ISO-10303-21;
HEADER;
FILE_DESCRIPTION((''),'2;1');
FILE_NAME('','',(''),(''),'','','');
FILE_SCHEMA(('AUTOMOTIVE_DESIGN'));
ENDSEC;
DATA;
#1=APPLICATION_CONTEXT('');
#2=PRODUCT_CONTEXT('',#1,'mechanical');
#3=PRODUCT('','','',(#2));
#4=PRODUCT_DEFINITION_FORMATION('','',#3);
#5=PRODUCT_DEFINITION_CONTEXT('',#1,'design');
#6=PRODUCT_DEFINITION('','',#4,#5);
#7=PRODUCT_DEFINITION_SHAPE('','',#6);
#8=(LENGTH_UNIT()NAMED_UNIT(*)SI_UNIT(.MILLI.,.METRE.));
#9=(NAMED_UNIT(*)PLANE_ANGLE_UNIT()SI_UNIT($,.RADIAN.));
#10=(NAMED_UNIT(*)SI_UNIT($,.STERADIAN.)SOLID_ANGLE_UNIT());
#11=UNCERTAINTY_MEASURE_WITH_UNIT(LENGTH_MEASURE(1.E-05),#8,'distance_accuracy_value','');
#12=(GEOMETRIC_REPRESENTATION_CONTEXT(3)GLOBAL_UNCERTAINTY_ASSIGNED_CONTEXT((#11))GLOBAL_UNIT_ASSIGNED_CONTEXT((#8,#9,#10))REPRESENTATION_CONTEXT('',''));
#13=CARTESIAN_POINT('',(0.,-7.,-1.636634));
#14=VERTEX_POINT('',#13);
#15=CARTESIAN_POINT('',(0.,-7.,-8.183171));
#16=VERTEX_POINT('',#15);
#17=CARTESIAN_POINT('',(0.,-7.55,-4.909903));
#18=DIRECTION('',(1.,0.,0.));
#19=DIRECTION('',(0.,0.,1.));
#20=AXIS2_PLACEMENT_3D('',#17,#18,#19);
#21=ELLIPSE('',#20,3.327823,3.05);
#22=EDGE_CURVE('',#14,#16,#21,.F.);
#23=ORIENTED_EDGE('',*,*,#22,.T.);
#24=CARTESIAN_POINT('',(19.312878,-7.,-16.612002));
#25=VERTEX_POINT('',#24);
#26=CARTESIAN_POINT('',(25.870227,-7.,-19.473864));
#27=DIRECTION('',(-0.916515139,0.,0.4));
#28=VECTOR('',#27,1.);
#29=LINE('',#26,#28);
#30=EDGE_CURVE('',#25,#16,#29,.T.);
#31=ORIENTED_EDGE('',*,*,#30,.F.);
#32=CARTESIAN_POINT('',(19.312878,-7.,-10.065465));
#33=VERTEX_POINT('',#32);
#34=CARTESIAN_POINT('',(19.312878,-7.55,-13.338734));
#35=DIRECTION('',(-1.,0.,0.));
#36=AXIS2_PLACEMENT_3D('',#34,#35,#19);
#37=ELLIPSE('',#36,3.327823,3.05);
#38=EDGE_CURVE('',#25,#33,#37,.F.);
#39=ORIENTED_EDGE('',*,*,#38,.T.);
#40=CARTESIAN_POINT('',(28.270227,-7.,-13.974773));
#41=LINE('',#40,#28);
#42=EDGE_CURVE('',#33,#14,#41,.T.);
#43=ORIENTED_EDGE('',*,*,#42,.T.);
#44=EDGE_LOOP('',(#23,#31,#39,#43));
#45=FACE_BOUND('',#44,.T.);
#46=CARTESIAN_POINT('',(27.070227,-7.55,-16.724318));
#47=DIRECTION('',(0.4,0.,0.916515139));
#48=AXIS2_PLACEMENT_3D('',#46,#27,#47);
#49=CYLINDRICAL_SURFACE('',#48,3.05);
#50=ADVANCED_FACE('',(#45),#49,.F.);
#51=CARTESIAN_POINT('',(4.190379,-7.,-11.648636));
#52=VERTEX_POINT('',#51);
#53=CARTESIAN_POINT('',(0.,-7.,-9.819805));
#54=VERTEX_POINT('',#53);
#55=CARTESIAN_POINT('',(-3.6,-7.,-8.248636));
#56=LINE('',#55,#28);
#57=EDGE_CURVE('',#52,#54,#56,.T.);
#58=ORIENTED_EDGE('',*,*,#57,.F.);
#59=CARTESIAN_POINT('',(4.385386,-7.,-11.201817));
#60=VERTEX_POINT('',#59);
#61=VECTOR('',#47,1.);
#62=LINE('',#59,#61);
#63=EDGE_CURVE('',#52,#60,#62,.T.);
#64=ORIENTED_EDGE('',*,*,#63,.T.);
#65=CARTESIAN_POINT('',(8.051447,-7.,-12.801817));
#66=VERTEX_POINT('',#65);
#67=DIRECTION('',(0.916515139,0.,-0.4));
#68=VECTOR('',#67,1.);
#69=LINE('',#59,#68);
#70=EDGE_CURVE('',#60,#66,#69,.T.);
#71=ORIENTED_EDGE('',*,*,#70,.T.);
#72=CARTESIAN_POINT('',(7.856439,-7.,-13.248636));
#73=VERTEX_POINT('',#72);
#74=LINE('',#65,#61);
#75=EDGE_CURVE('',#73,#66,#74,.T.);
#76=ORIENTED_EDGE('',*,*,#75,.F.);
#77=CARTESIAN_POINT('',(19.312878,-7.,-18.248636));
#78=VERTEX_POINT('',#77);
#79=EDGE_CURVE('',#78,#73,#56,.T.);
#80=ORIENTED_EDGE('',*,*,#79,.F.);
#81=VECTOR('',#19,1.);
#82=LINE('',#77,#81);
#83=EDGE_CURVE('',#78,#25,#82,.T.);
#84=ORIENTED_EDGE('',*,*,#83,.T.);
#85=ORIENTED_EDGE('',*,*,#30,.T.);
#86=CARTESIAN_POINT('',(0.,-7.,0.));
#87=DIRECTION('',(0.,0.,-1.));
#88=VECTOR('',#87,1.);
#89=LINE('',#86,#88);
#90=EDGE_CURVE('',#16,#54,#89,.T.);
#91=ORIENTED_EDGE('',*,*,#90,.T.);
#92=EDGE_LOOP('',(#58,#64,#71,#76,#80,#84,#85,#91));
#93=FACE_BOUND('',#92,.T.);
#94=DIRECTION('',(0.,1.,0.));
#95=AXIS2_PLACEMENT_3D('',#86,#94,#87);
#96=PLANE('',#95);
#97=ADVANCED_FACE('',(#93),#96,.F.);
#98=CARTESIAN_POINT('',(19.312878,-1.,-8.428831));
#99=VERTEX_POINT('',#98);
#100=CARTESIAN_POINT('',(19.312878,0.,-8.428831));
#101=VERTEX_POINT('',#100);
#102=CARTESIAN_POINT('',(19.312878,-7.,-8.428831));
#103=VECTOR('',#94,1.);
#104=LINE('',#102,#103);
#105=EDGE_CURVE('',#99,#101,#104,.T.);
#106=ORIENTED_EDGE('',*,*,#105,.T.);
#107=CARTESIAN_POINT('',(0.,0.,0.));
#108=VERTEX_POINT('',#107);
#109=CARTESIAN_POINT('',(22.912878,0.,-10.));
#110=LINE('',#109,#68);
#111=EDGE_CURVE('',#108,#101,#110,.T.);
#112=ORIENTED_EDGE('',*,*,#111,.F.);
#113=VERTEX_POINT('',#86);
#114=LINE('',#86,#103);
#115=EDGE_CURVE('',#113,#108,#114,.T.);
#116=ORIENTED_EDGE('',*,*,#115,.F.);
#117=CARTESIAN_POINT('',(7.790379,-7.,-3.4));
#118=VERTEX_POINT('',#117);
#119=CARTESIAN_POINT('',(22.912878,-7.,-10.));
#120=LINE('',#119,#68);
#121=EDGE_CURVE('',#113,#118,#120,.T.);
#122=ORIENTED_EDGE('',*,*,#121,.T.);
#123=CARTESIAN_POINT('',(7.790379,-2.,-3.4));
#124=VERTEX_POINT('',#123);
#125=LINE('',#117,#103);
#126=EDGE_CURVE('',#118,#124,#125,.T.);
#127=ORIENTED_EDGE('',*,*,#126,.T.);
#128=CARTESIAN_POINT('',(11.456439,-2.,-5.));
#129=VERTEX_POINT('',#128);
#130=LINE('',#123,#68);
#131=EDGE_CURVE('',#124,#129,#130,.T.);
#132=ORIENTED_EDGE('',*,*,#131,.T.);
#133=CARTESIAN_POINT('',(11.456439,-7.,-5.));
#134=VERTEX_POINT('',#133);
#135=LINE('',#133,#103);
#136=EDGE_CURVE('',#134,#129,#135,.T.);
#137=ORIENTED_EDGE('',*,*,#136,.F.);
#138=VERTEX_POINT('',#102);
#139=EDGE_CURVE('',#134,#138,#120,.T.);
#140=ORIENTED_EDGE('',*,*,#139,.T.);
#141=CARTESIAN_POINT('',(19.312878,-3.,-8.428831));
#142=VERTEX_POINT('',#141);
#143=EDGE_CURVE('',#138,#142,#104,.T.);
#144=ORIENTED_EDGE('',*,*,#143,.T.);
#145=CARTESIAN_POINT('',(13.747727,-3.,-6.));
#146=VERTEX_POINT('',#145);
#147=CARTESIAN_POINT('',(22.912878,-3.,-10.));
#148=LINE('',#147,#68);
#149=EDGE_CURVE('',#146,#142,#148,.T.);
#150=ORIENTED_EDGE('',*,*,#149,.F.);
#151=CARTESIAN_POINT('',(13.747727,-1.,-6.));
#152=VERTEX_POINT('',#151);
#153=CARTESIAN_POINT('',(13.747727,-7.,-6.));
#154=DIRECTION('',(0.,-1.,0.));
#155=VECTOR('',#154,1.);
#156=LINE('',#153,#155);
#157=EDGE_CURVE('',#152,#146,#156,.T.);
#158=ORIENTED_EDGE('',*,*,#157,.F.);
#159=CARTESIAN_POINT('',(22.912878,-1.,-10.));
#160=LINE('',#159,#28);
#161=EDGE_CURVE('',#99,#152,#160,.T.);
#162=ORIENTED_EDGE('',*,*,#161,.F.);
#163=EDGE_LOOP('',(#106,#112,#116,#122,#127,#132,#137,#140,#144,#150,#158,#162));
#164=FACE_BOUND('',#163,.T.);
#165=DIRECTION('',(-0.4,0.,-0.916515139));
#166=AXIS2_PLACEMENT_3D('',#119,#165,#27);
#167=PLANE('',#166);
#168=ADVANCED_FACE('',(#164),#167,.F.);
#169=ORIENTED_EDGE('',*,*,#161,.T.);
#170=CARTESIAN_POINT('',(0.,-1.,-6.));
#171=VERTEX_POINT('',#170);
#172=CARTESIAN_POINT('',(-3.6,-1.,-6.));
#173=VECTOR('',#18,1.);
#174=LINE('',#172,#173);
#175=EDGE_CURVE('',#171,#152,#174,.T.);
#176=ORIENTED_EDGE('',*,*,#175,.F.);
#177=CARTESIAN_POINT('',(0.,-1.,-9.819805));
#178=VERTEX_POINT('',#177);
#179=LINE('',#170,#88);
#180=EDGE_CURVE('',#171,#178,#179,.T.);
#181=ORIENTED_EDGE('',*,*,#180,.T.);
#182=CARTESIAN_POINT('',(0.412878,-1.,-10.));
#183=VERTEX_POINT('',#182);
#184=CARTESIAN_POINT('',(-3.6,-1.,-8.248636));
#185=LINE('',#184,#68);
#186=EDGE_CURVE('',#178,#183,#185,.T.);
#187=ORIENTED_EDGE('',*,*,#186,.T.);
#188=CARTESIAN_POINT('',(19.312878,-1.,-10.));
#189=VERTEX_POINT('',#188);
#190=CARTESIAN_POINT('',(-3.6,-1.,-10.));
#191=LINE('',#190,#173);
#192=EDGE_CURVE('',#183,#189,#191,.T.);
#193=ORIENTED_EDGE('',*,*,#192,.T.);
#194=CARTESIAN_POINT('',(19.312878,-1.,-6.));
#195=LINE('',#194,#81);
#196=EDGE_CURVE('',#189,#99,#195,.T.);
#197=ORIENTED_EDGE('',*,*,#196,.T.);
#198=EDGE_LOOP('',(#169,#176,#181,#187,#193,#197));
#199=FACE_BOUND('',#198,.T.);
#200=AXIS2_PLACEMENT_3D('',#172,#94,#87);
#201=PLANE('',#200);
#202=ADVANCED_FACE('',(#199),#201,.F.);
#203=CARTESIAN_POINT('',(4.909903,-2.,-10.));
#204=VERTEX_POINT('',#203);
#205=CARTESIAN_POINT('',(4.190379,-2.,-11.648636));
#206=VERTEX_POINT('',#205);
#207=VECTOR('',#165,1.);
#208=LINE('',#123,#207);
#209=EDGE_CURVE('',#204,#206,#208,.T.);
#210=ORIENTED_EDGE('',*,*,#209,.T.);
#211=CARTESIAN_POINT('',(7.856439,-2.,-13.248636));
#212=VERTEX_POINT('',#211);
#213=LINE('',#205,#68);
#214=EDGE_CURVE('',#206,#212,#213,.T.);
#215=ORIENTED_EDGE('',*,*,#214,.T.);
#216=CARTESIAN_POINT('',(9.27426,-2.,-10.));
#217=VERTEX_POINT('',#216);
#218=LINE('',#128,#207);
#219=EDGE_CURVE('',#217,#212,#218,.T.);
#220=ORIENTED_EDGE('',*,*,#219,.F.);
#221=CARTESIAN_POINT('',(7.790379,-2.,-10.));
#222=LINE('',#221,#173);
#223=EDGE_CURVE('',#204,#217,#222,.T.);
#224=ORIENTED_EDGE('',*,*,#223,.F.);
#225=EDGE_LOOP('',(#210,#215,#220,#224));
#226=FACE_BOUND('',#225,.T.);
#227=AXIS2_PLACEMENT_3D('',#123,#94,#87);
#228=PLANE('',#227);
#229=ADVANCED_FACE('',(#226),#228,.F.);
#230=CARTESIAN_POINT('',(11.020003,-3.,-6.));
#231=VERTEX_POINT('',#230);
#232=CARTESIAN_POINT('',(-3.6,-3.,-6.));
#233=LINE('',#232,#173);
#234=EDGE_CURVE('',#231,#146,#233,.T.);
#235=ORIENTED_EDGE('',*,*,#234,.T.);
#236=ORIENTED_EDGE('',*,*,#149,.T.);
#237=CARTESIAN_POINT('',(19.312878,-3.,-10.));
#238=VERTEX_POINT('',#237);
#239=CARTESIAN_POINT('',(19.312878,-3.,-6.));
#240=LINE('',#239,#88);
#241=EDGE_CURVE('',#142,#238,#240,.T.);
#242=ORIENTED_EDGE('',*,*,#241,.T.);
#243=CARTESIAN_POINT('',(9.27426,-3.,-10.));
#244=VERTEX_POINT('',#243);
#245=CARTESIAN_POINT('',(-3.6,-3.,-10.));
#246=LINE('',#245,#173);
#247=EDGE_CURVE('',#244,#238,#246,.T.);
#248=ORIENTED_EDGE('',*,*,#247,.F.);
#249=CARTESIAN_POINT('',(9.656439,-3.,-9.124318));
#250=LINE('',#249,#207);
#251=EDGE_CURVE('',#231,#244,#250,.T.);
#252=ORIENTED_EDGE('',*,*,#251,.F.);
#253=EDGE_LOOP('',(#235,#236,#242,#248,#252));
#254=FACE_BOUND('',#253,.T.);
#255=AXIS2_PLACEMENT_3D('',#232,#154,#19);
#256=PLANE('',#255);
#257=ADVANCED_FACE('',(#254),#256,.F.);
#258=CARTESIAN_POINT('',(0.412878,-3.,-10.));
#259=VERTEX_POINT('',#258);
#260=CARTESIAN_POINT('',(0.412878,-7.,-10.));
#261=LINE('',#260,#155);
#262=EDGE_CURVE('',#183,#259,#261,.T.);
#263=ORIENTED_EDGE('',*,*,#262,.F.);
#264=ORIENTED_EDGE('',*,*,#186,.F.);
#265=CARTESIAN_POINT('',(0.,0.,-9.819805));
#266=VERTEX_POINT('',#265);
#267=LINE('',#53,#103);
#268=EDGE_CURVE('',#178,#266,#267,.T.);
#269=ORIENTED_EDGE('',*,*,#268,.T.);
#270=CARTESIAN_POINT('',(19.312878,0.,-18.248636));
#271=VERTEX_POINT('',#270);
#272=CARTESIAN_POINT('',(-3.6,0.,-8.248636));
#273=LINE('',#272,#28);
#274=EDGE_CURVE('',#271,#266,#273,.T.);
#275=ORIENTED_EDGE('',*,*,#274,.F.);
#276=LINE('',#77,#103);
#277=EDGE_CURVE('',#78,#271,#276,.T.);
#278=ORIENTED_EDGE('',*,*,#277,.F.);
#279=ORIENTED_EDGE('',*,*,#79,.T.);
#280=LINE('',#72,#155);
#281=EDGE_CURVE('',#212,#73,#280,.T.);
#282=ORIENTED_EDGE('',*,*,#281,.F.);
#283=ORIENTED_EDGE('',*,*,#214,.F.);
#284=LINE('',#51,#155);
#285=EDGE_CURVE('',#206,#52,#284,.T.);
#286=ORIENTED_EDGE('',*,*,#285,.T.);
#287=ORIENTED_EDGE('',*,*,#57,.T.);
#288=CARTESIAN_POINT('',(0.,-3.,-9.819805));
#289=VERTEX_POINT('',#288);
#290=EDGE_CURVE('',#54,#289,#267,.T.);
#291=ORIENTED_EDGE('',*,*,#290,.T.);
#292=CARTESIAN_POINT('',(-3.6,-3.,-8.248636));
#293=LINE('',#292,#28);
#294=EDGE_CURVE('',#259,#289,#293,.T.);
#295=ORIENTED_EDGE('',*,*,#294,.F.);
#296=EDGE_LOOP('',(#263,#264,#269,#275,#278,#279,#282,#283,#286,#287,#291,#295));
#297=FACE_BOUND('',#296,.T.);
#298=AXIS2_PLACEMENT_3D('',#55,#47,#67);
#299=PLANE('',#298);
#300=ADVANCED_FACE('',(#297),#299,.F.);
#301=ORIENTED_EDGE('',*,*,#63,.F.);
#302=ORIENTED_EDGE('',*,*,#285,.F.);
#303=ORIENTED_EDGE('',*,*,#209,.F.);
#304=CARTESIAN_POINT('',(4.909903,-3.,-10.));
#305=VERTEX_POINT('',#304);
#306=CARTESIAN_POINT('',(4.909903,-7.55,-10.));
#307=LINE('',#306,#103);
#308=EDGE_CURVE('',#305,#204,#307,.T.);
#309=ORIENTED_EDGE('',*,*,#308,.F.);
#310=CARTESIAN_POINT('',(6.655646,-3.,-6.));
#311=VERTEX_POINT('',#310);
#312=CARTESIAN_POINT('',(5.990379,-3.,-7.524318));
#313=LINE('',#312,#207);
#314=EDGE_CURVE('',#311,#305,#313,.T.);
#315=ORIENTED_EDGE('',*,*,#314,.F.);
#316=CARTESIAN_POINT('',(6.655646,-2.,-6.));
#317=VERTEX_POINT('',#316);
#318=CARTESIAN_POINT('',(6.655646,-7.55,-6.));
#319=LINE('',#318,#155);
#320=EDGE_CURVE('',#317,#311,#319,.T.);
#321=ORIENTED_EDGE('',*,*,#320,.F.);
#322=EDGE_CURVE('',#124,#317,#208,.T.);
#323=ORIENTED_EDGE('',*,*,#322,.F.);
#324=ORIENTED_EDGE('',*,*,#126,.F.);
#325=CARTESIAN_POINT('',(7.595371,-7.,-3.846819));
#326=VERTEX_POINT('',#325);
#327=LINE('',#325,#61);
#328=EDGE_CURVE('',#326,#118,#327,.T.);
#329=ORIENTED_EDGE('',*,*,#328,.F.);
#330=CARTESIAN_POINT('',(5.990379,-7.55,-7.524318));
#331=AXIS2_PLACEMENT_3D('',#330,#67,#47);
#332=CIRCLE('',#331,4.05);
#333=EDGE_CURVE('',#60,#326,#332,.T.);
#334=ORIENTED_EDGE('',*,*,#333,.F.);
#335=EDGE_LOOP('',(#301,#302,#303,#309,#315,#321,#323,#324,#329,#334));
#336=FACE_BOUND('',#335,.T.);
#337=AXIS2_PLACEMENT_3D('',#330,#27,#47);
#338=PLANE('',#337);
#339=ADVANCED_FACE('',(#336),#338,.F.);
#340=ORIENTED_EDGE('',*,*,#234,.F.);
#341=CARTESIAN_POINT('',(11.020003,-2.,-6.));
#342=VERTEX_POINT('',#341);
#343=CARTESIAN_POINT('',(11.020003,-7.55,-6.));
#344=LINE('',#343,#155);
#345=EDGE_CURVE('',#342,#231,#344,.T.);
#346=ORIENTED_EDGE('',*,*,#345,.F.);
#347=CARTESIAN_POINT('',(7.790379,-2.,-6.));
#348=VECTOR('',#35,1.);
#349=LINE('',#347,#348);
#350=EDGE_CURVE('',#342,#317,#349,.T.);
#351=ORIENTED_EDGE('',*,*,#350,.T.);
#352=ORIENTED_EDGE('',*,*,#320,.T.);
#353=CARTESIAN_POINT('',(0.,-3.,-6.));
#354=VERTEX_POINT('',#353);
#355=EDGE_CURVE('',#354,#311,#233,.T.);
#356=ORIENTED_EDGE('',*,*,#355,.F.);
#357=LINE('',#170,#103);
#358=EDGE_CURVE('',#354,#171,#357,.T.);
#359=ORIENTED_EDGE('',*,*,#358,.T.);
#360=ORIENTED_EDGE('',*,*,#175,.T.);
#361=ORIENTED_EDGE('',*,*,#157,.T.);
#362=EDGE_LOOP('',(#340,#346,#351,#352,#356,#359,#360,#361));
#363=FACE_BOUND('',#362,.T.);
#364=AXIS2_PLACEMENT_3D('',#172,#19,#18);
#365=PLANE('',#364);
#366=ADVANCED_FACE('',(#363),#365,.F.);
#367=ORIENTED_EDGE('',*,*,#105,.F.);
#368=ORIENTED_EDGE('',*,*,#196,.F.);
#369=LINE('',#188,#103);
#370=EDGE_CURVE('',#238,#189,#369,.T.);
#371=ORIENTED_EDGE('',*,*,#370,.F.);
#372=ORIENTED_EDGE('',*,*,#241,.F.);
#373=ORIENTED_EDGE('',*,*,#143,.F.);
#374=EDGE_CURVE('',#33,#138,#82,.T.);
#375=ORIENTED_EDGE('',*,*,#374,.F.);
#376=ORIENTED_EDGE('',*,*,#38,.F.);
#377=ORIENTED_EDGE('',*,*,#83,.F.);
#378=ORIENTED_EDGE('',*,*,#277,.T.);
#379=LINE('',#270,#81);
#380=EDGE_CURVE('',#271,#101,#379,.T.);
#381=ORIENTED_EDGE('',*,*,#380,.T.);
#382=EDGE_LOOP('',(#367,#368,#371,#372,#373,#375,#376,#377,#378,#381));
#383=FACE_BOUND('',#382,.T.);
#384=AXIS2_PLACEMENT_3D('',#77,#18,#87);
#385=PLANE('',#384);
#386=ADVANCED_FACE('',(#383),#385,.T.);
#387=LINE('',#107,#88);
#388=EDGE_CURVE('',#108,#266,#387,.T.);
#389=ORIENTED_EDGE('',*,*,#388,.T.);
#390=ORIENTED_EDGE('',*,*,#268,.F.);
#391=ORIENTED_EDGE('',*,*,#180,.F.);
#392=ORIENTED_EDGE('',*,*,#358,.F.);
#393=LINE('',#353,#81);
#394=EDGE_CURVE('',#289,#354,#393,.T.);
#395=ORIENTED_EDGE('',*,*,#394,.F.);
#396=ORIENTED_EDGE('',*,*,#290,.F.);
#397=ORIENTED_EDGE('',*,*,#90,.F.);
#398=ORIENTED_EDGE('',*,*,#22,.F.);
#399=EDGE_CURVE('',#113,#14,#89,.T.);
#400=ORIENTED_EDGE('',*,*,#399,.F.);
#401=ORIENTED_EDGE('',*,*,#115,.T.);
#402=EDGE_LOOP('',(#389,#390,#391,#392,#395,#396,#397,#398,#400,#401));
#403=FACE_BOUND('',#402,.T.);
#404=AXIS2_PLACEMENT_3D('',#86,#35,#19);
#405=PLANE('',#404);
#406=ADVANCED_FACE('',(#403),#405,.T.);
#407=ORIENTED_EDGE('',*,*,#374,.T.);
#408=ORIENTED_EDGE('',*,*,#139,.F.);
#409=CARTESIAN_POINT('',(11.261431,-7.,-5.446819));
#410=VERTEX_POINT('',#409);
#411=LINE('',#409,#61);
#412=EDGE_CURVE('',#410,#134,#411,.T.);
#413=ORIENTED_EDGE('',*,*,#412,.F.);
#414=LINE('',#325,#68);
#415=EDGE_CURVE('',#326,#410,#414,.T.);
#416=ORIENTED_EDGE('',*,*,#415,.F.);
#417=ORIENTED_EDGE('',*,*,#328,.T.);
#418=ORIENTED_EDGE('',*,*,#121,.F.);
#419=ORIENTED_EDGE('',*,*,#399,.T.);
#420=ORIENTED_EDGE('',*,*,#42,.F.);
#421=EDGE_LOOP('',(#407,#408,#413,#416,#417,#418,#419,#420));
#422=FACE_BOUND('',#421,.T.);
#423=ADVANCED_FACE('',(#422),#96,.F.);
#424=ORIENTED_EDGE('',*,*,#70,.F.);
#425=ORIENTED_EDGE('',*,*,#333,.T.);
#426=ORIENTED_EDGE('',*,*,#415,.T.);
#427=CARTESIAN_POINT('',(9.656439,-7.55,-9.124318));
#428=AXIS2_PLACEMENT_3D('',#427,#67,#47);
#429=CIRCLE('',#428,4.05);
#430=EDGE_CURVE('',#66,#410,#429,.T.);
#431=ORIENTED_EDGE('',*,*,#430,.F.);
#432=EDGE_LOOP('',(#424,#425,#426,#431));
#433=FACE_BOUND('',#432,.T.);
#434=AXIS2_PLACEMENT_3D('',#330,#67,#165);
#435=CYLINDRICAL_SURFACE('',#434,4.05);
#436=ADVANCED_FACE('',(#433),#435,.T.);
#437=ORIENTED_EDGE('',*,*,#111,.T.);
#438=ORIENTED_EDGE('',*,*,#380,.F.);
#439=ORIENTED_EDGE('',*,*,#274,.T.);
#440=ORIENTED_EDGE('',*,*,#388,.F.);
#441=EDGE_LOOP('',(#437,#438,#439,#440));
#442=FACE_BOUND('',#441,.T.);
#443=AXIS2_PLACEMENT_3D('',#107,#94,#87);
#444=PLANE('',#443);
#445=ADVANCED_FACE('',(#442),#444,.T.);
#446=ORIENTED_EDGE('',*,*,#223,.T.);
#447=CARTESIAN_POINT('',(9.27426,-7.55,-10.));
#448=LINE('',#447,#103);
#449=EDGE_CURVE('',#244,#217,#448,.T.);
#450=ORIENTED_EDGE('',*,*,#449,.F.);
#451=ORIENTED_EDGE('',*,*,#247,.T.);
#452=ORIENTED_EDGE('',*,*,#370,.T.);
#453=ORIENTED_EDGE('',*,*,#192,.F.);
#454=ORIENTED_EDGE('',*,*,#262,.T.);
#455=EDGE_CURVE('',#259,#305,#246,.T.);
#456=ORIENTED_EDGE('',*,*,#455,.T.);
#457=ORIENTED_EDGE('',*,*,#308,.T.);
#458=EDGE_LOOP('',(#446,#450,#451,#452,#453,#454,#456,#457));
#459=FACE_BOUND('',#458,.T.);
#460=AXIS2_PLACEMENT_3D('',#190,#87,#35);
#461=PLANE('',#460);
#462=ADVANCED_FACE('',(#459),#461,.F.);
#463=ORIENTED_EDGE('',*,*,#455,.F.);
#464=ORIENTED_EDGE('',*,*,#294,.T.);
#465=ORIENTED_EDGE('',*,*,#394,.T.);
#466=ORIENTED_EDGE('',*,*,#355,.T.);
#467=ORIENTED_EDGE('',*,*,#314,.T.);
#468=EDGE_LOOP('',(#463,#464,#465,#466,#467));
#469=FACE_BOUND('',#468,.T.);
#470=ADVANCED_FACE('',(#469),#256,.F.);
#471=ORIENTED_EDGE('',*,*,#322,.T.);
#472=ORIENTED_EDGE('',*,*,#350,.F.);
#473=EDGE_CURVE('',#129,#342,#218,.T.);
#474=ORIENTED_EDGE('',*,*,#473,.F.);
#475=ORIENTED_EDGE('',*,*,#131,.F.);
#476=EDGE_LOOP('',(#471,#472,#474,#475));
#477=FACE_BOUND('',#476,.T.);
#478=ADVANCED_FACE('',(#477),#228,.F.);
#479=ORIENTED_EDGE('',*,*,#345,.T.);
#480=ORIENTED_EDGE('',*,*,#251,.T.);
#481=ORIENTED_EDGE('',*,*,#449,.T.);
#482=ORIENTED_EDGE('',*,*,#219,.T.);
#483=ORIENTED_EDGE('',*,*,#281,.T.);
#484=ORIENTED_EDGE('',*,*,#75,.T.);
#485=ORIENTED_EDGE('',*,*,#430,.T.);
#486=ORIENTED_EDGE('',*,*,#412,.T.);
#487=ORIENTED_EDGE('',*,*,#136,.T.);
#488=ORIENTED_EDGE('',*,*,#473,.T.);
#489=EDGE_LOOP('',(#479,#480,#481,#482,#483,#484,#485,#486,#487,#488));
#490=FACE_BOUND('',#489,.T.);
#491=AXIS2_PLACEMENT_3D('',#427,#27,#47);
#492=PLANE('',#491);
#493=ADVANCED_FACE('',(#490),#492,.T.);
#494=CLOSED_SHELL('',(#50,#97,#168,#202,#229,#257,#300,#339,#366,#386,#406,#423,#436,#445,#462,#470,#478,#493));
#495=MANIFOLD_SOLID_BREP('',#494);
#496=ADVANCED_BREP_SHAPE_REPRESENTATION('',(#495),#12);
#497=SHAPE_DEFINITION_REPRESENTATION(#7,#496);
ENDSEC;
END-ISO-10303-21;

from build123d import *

# Parameters (mm, degrees)
BOSS_EXTRUDE2_DEPTH     = 7
CUT_EXTRUDE4_DEPTH      = 25
CUT_EXTRUDE7_DEPTH      = 4
SKETCH6_W               = 4
SKETCH6_H               = 2
CUT_EXTRUDE5_DEPTH      = 23.912878475
CUT_EXTRUDE5_DEPTH_BACK = 4.6
SKETCH12_W              = 3.6
SKETCH12_H              = 9.819805061
CUT_EXTRUDE10_DEPTH     = 8
SKETCH13_W              = 3.6
SKETCH13_H              = 9.819805061
CUT_EXTRUDE11_DEPTH     = 8


with BuildPart() as part:
    # Sketch2 → Boss-Extrude2 (new body)
    with BuildSketch(Plane(origin=(0, 0, 0), x_dir=(1, 0, 0), z_dir=(0, 1, 0))):
        Polygon((0, 0), (-3.6, 8.248636251), (19.312878475, 18.248636251), (22.912878475, 10), align=None)
    extrude(amount=BOSS_EXTRUDE2_DEPTH)

    # Sketch4 → Cut-Extrude4 (cut)
    with BuildSketch(Plane(origin=(0, 0, 0), x_dir=(0.4, 0, 0.916515139), z_dir=(-0.916515139, 0, 0.4))):
        with BuildLine():
            Line((-7.5, 7), (-1.5, 7))
            ThreePointArc((-1.5, 7), (-4.5, 4.5), (-7.5, 7))
        make_face()
    extrude(amount=-CUT_EXTRUDE4_DEPTH, mode=Mode.SUBTRACT)

    # Sketch8 → Cut-Extrude7 (cut)
    with BuildSketch(Plane(origin=(11.456439237, 0, -5), x_dir=(-0.4, 0, -0.916515139), z_dir=(0.916515139, 0, -0.4))):
        with BuildLine():
            Line((0.48751947, 7), (0, 7))
            Line((0, 7), (0, 2))
            Line((0, 2), (9, 2))
            Line((9, 2), (9, 7))
            Line((9, 7), (8.51248053, 7))
            ThreePointArc((8.51248053, 7), (4.5, 3.5), (0.48751947, 7))
        make_face()
    extrude(amount=-CUT_EXTRUDE7_DEPTH, mode=Mode.SUBTRACT)

    # Sketch6 → Cut-Extrude5 (cut, two sides)
    with BuildSketch(Plane(origin=(0, 0, 0), x_dir=(0, 0, -1), z_dir=(1, 0, 0))) as cut_extrude5_sk:
        with Locations((8, 2)):
            Rectangle(SKETCH6_W, SKETCH6_H)
    extrude(amount=CUT_EXTRUDE5_DEPTH, mode=Mode.SUBTRACT)
    extrude(cut_extrude5_sk.sketch, amount=-CUT_EXTRUDE5_DEPTH_BACK, mode=Mode.SUBTRACT)

    # Sketch12 → Cut-Extrude10 (cut, through all)
    with BuildSketch(Plane(origin=(0, 0, 0), x_dir=(1, 0, 0), z_dir=(0, 1, 0))):
        with Locations((21.112878475, 13.338733721)):
            Rectangle(SKETCH12_W, SKETCH12_H)
    extrude(amount=CUT_EXTRUDE10_DEPTH, mode=Mode.SUBTRACT)

    # Sketch13 → Cut-Extrude11 (cut, through all)
    with BuildSketch(Plane(origin=(0, 0, 0), x_dir=(1, 0, 0), z_dir=(0, 1, 0))):
        with Locations((-1.8, 4.909902531)):
            Rectangle(SKETCH13_W, SKETCH13_H)
    extrude(amount=CUT_EXTRUDE11_DEPTH, mode=Mode.SUBTRACT)


with BuildPart() as body_2:
    # Mirror9: mirrored copy
    add(part.part.mirror(Plane(origin=(0, 0, 0), x_dir=(0, 0, 1), z_dir=(0, -1, 0))))


solid = body_2.part
